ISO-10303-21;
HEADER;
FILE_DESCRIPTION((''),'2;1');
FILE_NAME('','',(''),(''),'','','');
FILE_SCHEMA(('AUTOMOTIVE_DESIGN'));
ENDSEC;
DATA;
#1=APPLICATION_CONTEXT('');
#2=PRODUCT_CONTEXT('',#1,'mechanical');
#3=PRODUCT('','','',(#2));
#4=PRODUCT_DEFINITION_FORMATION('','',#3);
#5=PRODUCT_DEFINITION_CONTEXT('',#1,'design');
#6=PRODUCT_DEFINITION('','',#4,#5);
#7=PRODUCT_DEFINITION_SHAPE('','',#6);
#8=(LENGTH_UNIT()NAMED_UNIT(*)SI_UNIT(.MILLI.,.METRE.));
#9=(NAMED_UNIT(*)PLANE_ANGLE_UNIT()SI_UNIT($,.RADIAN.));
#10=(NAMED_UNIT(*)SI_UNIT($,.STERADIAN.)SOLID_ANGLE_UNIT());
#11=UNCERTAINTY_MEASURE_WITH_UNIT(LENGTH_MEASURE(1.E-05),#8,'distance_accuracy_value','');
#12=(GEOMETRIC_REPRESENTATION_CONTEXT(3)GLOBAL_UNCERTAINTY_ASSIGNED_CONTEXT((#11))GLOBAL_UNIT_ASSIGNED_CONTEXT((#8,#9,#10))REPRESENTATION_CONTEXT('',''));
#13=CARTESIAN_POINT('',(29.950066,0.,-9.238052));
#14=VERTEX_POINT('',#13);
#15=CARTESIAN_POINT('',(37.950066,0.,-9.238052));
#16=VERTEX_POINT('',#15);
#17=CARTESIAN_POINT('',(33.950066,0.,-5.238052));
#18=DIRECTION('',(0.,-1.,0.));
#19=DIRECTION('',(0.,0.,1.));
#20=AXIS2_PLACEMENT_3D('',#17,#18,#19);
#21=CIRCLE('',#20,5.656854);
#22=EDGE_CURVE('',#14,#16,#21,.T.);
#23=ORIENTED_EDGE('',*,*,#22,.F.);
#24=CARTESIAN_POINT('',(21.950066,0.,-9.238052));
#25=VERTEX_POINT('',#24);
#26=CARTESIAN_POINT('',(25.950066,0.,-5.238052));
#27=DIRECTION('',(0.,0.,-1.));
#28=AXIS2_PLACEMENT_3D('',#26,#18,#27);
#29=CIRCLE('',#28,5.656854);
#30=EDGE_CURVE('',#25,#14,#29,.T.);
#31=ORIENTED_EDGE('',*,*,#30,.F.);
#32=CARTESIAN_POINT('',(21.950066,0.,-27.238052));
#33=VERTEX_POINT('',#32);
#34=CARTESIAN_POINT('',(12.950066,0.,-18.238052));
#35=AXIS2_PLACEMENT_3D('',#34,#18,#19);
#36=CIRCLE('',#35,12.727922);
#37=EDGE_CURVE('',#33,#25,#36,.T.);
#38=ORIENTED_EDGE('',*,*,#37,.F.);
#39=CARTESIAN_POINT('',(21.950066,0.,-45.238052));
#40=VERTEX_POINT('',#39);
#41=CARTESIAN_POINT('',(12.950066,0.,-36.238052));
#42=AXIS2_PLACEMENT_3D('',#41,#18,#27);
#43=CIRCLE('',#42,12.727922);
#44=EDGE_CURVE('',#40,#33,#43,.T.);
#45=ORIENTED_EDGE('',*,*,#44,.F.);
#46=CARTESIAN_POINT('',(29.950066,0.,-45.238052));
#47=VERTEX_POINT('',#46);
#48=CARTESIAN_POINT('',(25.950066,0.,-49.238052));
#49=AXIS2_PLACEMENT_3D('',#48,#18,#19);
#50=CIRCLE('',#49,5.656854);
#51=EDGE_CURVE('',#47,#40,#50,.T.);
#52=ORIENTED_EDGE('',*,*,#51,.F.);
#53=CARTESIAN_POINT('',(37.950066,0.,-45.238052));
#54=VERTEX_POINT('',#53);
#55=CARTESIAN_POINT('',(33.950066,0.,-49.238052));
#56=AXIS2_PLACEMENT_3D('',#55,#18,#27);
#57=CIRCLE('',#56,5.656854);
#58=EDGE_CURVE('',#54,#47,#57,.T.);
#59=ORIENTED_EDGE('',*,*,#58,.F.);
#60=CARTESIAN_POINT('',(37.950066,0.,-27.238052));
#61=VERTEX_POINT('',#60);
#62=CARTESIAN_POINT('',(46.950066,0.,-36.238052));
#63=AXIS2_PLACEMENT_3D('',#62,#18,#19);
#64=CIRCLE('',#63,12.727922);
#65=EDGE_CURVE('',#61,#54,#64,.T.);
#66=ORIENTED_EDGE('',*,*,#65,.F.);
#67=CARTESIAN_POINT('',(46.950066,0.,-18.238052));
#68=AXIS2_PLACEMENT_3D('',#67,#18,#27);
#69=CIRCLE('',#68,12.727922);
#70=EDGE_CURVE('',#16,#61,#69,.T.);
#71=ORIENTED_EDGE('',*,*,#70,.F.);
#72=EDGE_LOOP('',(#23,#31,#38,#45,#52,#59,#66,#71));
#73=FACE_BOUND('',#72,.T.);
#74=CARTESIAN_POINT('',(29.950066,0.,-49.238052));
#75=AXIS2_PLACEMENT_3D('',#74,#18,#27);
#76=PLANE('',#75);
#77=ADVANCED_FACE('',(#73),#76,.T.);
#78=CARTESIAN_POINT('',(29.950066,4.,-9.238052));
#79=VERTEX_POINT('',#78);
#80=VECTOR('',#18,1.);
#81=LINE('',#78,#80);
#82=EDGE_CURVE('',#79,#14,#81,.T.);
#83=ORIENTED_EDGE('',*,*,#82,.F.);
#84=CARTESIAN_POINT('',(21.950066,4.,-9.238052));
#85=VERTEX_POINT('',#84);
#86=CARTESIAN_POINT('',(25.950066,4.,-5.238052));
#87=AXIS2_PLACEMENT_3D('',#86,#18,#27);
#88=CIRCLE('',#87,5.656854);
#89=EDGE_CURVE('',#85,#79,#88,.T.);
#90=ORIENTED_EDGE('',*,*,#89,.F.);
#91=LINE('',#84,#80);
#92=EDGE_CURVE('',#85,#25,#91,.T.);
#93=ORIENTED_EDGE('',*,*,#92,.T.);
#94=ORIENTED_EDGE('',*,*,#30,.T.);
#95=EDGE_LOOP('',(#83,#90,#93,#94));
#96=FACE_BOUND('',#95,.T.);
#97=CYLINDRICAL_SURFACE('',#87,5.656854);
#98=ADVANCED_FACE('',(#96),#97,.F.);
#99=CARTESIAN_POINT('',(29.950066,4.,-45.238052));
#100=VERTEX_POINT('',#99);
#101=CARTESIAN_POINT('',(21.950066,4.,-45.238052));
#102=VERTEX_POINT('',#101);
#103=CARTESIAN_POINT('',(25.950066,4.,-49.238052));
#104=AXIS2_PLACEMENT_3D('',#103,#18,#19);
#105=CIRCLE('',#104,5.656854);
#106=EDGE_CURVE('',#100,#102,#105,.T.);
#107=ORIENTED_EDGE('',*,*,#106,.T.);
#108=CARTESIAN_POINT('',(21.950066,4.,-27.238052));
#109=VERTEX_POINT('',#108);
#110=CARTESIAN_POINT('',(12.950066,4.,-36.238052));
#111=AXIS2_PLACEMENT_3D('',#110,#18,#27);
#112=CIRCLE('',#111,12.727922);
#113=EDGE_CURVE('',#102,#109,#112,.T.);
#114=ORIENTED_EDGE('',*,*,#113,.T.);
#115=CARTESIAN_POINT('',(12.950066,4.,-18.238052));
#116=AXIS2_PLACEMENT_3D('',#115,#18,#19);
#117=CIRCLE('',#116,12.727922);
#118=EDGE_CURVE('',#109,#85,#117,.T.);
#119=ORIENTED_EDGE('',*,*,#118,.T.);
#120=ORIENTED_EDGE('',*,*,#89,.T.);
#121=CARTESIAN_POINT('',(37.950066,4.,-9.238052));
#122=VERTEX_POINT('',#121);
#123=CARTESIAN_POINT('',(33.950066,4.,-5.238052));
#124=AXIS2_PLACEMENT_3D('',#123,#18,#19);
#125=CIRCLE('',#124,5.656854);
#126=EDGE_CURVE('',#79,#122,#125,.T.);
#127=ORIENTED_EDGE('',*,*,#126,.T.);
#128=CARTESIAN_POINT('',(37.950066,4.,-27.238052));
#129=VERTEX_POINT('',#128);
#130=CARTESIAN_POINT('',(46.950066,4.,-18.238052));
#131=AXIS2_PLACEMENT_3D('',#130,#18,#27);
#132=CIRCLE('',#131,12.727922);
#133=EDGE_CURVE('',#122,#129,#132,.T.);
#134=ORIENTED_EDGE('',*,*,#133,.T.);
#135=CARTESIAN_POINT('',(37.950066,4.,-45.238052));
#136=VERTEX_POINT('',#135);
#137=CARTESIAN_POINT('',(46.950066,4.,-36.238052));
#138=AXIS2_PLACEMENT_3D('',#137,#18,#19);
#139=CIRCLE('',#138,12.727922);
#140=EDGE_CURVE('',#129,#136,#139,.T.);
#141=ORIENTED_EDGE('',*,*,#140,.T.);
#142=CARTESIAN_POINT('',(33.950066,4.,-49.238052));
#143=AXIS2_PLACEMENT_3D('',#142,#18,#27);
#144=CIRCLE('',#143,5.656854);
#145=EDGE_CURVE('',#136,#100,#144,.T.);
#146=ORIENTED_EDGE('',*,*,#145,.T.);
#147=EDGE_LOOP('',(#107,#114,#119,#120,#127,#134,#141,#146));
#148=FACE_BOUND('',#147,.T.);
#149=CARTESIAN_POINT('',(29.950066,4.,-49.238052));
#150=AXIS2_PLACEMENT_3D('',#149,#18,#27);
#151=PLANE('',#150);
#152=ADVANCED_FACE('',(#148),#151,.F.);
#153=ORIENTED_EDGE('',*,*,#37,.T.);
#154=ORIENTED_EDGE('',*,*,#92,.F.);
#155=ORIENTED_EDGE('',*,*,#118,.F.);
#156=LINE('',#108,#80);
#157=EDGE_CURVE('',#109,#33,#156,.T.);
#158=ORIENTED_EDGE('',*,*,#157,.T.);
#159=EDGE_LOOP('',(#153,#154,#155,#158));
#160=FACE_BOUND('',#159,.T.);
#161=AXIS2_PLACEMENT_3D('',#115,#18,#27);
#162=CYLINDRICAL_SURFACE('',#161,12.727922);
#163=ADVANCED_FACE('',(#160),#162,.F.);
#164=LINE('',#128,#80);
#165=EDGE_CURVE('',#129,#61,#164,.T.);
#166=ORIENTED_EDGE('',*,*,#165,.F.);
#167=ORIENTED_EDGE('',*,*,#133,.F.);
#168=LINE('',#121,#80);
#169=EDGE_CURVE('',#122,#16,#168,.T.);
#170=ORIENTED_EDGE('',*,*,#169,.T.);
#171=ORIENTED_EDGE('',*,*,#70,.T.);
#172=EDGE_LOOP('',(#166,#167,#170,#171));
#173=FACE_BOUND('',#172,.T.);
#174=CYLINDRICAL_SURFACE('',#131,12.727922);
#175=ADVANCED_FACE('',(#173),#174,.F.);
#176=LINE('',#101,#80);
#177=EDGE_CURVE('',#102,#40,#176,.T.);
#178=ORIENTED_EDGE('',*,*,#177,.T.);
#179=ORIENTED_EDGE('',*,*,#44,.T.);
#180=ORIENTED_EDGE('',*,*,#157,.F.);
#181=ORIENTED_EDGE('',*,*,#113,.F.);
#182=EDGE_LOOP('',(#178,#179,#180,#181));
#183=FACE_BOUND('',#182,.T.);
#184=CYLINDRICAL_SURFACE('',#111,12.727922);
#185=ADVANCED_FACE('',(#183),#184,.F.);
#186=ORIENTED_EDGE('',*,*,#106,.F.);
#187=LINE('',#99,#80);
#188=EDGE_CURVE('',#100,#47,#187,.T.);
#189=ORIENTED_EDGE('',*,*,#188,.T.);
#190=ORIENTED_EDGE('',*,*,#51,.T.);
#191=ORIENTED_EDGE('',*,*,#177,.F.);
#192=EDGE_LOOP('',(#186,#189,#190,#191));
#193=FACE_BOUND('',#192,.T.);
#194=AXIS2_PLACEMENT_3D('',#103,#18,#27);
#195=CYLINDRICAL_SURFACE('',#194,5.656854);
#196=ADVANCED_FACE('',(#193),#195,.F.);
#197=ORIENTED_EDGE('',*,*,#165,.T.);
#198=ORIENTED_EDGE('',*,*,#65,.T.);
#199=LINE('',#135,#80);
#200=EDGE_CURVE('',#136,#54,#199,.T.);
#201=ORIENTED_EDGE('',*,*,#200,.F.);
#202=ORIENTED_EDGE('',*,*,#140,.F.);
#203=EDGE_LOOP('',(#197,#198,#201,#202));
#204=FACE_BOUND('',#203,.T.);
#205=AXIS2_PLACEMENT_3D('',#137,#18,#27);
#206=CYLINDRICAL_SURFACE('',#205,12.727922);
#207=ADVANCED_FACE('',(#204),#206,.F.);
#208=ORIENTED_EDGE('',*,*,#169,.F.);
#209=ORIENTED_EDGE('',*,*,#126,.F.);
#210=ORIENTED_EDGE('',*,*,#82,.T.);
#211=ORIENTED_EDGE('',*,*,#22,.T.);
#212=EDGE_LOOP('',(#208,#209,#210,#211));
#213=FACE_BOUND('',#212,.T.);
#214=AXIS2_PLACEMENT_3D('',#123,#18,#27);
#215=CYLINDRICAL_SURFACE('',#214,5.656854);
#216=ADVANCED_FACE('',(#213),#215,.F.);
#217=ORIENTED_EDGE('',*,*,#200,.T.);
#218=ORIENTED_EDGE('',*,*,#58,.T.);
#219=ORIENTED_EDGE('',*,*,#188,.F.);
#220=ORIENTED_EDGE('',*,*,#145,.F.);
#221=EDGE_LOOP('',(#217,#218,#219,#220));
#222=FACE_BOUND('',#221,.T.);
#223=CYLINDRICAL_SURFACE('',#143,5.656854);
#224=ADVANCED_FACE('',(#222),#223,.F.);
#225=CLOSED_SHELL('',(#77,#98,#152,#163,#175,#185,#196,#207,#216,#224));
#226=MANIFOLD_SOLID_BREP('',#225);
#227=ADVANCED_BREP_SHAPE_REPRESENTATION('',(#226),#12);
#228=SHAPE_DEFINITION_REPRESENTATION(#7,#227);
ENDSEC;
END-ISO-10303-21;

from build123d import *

# Parameters (mm, degrees)
BOSS_EXTRUDE1_DEPTH = 4


with BuildPart() as part:
    # Sketch1 → Boss-Extrude1 (new body)
    with BuildSketch(Plane(origin=(0, 0, 0), x_dir=(1, 0, 0), z_dir=(0, 1, 0))):
        with BuildLine():
            ThreePointArc((21.950066158, 45.238052293), (25.677988219, 36.238052293), (21.950066158, 27.238052293))
            ThreePointArc((21.950066158, 27.238052293), (25.677988219, 18.238052293), (21.950066158, 9.238052293))
            ThreePointArc((21.950066158, 9.238052293), (25.950066158, 10.894906543), (29.950066158, 9.238052293))
            ThreePointArc((29.950066158, 9.238052293), (33.950066158, 10.894906543), (37.950066158, 9.238052293))
            ThreePointArc((37.950066158, 9.238052293), (34.222144097, 18.238052293), (37.950066158, 27.238052293))
            ThreePointArc((37.950066158, 27.238052293), (34.222144097, 36.238052293), (37.950066158, 45.238052293))
            ThreePointArc((37.950066158, 45.238052293), (33.950066158, 43.581198044), (29.950066158, 45.238052293))
            ThreePointArc((29.950066158, 45.238052293), (25.950066158, 43.581198044), (21.950066158, 45.238052293))
        make_face()
    extrude(amount=BOSS_EXTRUDE1_DEPTH)


solid = part.part
